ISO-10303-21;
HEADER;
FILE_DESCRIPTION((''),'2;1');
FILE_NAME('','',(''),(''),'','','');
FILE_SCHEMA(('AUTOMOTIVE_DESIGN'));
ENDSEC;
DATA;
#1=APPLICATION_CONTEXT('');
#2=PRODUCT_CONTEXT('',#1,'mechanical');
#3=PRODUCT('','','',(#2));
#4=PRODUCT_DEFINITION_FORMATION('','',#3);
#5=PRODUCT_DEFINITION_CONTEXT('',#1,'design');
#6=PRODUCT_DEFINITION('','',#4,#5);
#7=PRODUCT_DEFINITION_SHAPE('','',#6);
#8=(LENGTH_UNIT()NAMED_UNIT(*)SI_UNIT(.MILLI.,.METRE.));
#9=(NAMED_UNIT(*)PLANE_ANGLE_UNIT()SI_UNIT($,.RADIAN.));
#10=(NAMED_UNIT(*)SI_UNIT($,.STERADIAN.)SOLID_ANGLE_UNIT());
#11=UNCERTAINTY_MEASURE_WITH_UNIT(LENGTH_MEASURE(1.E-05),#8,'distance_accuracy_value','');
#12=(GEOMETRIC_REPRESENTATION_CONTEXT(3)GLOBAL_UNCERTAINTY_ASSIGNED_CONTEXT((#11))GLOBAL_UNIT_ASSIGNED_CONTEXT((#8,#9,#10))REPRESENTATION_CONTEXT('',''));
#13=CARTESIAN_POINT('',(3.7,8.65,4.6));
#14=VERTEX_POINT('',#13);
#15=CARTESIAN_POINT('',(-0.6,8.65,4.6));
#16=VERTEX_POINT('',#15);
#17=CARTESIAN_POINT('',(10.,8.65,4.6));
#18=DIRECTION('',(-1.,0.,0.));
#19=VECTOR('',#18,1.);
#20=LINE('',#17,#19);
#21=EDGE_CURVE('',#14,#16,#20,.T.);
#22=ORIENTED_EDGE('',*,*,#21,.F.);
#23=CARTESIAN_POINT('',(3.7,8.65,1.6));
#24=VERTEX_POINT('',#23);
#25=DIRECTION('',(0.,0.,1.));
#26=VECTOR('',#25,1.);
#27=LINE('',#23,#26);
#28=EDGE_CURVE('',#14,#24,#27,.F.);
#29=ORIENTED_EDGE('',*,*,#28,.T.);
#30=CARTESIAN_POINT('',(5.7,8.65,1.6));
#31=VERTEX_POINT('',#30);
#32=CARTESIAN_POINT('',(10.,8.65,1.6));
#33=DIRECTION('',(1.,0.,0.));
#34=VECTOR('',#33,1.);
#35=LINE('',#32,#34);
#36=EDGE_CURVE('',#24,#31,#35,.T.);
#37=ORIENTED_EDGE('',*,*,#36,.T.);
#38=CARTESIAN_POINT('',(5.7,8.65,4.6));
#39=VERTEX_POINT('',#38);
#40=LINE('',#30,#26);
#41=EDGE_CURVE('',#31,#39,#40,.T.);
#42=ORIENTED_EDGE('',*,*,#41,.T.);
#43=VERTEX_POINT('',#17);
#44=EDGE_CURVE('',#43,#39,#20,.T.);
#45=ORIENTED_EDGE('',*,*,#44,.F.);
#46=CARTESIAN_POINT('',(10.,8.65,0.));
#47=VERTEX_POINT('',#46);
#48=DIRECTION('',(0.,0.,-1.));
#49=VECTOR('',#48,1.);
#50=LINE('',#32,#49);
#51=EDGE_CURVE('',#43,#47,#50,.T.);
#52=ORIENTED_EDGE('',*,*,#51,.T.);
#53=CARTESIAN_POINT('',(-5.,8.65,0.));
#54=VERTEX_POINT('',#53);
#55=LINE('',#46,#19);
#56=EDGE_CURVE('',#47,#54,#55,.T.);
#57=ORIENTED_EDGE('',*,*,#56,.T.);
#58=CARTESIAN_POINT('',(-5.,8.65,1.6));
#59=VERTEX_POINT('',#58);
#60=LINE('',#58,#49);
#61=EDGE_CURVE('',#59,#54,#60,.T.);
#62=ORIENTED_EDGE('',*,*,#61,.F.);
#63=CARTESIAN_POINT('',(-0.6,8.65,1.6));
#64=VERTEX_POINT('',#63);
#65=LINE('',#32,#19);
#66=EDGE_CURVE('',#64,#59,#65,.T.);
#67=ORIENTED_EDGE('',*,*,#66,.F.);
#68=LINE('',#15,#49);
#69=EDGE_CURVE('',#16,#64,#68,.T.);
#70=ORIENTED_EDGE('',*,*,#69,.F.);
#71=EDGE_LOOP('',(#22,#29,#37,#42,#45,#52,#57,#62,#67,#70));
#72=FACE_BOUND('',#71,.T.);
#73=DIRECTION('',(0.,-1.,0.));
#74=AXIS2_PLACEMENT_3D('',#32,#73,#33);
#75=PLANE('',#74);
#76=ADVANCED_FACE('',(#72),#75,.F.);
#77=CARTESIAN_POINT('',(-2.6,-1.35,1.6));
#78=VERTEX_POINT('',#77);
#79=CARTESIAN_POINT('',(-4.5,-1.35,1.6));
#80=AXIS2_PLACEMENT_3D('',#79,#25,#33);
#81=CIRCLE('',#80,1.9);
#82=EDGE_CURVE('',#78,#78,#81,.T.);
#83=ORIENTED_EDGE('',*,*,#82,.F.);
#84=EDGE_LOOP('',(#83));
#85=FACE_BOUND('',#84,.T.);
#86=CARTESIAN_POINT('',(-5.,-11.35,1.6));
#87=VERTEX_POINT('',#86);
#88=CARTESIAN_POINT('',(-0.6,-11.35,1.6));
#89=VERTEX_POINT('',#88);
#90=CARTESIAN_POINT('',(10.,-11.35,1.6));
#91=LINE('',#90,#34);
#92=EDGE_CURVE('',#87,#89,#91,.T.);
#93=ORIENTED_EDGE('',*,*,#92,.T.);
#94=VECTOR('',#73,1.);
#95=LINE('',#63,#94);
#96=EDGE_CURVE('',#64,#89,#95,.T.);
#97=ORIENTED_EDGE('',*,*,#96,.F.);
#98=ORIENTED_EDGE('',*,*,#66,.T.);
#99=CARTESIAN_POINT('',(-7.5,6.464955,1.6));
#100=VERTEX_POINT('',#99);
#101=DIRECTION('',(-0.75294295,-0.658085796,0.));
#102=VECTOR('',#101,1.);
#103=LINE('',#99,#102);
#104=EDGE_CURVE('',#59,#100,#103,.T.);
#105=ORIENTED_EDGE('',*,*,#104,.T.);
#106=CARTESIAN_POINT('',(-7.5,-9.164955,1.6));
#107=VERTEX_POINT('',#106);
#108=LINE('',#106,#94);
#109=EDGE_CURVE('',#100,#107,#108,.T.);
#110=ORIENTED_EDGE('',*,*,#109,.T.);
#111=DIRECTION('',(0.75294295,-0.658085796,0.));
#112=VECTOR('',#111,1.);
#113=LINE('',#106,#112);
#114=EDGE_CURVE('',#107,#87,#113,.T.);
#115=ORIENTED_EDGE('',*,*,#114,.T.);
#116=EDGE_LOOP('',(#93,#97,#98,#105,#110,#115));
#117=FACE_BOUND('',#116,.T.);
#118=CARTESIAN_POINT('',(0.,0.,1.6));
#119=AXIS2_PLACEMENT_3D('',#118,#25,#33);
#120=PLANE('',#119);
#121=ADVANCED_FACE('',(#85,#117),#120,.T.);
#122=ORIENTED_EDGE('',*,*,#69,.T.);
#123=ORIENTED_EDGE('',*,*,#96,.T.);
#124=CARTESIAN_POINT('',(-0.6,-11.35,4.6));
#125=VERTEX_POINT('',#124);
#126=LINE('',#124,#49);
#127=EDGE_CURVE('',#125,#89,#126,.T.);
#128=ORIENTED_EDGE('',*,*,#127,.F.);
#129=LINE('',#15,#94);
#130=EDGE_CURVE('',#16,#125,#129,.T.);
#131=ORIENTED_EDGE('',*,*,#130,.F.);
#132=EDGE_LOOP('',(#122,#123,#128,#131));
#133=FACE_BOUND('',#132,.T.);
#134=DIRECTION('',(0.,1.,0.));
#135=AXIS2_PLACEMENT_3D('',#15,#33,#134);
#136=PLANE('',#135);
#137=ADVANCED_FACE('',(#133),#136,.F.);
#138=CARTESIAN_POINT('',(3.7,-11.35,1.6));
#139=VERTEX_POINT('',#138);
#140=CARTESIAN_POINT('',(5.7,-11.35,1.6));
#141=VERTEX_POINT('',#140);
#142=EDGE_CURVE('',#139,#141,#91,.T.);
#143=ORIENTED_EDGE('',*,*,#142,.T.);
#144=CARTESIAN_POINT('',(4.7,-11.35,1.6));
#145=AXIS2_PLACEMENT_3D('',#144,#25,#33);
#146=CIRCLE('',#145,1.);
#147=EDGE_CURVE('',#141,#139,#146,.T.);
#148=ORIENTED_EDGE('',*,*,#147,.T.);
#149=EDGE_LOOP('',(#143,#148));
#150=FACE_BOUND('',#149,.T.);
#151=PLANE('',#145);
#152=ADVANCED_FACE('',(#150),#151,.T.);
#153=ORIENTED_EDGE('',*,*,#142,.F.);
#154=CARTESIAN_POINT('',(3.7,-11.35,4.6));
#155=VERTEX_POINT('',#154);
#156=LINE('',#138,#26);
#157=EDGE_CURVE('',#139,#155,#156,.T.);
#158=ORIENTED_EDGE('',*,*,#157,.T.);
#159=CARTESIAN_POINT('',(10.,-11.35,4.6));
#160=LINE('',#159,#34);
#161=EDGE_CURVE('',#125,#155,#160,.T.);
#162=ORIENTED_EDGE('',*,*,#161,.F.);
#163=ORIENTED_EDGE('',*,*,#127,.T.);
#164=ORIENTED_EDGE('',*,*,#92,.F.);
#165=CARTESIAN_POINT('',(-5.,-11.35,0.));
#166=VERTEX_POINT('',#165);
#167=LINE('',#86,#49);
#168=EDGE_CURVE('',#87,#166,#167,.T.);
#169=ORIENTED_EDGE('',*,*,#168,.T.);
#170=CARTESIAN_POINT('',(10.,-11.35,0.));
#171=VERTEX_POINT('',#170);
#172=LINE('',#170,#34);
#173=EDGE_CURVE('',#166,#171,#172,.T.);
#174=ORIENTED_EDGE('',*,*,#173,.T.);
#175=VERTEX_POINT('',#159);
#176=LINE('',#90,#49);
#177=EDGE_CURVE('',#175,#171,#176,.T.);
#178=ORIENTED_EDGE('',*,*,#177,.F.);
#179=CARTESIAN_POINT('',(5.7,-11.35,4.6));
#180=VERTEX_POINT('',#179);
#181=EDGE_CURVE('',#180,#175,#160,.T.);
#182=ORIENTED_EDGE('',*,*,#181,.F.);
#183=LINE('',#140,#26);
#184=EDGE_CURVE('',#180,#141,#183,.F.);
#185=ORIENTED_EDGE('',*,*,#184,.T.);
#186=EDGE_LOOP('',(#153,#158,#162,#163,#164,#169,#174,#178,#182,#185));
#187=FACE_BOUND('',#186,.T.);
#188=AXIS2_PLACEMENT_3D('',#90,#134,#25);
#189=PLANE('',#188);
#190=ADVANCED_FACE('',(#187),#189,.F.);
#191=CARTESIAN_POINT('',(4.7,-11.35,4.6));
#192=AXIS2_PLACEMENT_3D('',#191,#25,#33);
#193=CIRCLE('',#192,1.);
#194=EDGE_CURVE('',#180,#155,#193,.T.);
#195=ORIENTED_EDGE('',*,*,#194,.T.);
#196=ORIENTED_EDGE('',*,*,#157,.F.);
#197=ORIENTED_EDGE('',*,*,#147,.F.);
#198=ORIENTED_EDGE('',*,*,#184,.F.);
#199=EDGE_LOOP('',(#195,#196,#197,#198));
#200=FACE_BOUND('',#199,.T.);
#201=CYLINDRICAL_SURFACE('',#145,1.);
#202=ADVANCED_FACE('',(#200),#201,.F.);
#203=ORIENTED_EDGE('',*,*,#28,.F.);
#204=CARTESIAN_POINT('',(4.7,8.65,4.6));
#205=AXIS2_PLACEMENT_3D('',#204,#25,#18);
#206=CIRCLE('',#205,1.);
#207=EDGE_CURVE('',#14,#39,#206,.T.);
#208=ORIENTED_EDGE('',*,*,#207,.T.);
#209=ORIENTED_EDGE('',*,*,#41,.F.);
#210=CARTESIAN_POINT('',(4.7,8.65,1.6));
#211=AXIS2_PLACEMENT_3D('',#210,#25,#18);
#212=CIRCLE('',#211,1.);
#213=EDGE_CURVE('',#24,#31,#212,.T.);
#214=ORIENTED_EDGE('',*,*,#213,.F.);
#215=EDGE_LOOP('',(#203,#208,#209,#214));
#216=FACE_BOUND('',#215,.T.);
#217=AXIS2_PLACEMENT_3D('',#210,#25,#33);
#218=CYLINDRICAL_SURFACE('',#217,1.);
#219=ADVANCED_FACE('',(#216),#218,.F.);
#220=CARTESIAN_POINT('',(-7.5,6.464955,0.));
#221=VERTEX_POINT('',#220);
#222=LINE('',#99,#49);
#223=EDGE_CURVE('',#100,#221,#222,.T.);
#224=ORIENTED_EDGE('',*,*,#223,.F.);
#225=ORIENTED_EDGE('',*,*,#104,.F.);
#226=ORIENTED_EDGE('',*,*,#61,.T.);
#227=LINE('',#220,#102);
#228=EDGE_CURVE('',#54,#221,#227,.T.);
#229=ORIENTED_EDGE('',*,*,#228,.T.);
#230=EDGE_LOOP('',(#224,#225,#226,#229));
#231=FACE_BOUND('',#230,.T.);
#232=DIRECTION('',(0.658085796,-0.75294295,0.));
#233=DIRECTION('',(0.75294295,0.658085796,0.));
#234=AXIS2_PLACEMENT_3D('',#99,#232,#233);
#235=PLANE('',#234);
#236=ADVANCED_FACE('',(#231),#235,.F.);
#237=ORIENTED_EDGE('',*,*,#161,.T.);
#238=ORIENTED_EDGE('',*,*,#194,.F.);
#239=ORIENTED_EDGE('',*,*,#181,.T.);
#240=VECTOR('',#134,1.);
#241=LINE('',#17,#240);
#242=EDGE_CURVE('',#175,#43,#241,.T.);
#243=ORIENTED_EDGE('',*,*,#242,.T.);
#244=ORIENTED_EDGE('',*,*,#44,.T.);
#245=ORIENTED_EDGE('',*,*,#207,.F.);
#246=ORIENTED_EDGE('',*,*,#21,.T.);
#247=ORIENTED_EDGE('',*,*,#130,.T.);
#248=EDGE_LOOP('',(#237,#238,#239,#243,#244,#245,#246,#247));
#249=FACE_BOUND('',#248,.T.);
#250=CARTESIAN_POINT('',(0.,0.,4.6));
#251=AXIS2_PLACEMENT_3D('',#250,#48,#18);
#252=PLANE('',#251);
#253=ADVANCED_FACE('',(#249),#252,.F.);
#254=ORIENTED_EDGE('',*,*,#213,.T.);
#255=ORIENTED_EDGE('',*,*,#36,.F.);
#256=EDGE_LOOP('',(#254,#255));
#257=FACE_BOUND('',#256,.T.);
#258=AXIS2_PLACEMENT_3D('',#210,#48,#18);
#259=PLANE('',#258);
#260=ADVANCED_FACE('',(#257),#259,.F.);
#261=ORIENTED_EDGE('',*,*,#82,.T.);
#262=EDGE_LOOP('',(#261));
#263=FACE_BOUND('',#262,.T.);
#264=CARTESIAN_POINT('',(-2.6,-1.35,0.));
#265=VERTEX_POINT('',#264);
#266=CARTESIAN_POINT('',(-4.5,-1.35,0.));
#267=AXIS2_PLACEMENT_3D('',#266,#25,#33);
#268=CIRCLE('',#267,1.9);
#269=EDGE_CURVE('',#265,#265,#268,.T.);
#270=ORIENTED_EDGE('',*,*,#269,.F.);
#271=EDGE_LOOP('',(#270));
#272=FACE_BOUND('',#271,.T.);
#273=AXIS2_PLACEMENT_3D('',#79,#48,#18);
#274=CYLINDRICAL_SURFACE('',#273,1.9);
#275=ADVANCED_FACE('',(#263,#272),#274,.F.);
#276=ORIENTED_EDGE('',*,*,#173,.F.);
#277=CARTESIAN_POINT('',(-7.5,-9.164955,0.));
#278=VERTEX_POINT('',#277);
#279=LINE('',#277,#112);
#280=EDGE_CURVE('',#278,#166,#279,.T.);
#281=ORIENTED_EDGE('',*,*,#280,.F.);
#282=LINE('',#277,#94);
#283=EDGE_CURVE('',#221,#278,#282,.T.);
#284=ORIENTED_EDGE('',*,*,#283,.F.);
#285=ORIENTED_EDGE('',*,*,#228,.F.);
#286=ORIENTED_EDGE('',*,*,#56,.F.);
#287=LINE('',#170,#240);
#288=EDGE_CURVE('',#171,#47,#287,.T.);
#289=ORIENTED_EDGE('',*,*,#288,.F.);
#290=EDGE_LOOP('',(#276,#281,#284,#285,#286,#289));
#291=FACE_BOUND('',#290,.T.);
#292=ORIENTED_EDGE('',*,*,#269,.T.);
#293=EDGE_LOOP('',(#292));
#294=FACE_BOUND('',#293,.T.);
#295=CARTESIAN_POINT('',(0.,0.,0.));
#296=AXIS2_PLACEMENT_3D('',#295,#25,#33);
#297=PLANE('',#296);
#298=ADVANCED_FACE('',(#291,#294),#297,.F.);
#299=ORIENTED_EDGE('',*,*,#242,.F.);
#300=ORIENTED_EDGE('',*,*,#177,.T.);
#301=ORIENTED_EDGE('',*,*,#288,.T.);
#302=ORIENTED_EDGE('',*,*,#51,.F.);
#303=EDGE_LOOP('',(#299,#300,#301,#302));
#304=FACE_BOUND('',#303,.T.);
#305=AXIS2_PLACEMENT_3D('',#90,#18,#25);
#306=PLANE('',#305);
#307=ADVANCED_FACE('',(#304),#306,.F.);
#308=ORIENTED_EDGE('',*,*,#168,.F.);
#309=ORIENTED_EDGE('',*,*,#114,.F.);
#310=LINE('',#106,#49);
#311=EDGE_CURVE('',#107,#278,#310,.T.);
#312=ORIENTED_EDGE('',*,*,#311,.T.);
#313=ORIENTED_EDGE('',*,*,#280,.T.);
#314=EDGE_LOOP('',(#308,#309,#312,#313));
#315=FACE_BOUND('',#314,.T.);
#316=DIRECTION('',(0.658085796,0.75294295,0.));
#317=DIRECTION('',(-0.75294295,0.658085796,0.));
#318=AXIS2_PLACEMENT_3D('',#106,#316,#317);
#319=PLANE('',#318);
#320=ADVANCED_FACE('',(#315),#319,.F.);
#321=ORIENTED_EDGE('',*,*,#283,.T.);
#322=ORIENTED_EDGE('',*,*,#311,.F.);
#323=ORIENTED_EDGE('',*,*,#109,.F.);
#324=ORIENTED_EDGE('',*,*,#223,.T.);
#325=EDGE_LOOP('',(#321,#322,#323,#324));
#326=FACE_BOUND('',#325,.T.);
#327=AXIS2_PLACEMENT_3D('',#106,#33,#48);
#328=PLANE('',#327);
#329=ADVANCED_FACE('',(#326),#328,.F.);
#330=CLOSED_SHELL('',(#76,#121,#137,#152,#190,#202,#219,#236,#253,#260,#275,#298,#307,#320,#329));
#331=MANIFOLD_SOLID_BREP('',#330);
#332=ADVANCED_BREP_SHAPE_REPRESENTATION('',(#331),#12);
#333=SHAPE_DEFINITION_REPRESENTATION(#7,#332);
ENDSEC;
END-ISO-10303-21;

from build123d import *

# Parameters (mm, degrees)
SKETCH1_R           = 1.9
BOSS_EXTRUDE1_DEPTH = 1.6
SKETCH2_W           = 10.6
SKETCH2_H           = 20
BOSS_EXTRUDE2_DEPTH = 3
SKETCH4_R           = 1
CUT_EXTRUDE1_DEPTH  = 3


with BuildPart() as part:
    # Sketch1 → Boss-Extrude1 (new body)
    with BuildSketch(Plane.XY):
        Polygon((-7.5, 6.464954653), (-5, 8.65), (10, 8.65), (10, -11.35), (-5, -11.35), (-7.5, -9.164954653), align=None)
        with Locations((-4.5, -1.35)):
            Circle(SKETCH1_R, mode=Mode.SUBTRACT)
    extrude(amount=BOSS_EXTRUDE1_DEPTH)

    # Sketch2 → Boss-Extrude2 (add)
    with BuildSketch(Plane.XY.offset(1.6)):
        with Locations((4.7, -1.35)):
            Rectangle(SKETCH2_W, SKETCH2_H)
    extrude(amount=BOSS_EXTRUDE2_DEPTH)

    # Sketch4 → Cut-Extrude1 (cut)
    with BuildSketch(Plane.XY.offset(4.6)):
        with Locations((4.7, -11.35)):
            Circle(SKETCH4_R)
        with Locations((4.7, 8.65)):
            Circle(SKETCH4_R)
    extrude(amount=-CUT_EXTRUDE1_DEPTH, mode=Mode.SUBTRACT)


solid = part.part
